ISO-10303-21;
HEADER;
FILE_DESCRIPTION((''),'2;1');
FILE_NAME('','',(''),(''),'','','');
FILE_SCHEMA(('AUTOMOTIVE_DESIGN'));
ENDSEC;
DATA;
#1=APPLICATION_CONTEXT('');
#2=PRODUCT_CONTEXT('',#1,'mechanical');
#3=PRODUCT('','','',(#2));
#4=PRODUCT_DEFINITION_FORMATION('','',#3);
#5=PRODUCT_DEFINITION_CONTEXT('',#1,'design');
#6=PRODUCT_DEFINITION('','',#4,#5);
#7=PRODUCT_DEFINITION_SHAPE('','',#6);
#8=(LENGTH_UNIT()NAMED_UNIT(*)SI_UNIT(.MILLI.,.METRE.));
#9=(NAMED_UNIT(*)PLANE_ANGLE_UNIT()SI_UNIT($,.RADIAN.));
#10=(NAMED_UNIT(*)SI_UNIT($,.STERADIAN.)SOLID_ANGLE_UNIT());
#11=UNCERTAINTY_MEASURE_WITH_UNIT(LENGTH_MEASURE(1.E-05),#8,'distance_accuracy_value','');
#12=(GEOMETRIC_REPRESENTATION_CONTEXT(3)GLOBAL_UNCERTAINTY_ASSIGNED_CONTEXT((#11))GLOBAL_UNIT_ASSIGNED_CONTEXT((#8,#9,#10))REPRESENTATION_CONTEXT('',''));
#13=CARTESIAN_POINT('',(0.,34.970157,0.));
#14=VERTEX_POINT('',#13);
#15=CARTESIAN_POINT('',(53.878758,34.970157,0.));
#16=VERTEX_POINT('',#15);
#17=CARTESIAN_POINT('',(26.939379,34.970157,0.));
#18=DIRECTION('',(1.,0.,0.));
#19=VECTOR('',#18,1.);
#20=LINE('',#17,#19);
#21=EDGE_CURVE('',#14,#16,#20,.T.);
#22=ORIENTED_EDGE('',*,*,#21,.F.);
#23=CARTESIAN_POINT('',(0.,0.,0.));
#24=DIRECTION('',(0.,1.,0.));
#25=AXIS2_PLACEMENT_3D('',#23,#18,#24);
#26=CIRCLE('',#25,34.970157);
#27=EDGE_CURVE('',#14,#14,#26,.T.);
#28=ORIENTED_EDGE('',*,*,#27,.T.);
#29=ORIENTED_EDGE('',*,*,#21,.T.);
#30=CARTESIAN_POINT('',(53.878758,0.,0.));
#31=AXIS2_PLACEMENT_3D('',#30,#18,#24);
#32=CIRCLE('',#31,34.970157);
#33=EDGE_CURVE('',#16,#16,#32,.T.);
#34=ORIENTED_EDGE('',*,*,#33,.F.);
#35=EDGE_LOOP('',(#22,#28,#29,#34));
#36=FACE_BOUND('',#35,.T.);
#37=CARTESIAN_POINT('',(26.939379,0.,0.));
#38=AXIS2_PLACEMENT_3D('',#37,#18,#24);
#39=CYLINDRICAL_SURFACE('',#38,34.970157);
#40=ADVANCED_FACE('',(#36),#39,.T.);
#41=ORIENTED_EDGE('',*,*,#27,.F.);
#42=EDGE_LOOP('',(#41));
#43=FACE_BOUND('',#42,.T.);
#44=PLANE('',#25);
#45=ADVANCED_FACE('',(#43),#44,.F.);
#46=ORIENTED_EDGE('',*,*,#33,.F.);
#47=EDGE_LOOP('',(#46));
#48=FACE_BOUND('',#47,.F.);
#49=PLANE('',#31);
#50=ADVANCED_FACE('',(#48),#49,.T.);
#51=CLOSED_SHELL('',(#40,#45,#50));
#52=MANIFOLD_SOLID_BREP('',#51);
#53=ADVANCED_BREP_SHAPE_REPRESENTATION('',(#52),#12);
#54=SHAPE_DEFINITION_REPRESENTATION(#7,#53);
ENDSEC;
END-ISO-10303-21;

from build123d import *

# Parameters (mm, degrees)
F0_W     = 53.8787581027
F0_H     = 34.9701568484
F2_R     = 27.2671650164
F3_DEPTH = 25


with BuildPart() as f1:
    # F0 (on Top) → F1 (revolve)
    with BuildSketch(Plane.XY):
        with Locations((26.9393790513, 17.4850784242)):
            Rectangle(F0_W, F0_H)
    revolve(axis=Axis((26.9393790513, 0, 0), (1, 0, 0)))

    # F2 (on face) → F3 (join)
    with BuildSketch(Plane.YZ.offset(53.8787581027)):
        Circle(F2_R)
    extrude(amount=-F3_DEPTH)


solid = f1.part
